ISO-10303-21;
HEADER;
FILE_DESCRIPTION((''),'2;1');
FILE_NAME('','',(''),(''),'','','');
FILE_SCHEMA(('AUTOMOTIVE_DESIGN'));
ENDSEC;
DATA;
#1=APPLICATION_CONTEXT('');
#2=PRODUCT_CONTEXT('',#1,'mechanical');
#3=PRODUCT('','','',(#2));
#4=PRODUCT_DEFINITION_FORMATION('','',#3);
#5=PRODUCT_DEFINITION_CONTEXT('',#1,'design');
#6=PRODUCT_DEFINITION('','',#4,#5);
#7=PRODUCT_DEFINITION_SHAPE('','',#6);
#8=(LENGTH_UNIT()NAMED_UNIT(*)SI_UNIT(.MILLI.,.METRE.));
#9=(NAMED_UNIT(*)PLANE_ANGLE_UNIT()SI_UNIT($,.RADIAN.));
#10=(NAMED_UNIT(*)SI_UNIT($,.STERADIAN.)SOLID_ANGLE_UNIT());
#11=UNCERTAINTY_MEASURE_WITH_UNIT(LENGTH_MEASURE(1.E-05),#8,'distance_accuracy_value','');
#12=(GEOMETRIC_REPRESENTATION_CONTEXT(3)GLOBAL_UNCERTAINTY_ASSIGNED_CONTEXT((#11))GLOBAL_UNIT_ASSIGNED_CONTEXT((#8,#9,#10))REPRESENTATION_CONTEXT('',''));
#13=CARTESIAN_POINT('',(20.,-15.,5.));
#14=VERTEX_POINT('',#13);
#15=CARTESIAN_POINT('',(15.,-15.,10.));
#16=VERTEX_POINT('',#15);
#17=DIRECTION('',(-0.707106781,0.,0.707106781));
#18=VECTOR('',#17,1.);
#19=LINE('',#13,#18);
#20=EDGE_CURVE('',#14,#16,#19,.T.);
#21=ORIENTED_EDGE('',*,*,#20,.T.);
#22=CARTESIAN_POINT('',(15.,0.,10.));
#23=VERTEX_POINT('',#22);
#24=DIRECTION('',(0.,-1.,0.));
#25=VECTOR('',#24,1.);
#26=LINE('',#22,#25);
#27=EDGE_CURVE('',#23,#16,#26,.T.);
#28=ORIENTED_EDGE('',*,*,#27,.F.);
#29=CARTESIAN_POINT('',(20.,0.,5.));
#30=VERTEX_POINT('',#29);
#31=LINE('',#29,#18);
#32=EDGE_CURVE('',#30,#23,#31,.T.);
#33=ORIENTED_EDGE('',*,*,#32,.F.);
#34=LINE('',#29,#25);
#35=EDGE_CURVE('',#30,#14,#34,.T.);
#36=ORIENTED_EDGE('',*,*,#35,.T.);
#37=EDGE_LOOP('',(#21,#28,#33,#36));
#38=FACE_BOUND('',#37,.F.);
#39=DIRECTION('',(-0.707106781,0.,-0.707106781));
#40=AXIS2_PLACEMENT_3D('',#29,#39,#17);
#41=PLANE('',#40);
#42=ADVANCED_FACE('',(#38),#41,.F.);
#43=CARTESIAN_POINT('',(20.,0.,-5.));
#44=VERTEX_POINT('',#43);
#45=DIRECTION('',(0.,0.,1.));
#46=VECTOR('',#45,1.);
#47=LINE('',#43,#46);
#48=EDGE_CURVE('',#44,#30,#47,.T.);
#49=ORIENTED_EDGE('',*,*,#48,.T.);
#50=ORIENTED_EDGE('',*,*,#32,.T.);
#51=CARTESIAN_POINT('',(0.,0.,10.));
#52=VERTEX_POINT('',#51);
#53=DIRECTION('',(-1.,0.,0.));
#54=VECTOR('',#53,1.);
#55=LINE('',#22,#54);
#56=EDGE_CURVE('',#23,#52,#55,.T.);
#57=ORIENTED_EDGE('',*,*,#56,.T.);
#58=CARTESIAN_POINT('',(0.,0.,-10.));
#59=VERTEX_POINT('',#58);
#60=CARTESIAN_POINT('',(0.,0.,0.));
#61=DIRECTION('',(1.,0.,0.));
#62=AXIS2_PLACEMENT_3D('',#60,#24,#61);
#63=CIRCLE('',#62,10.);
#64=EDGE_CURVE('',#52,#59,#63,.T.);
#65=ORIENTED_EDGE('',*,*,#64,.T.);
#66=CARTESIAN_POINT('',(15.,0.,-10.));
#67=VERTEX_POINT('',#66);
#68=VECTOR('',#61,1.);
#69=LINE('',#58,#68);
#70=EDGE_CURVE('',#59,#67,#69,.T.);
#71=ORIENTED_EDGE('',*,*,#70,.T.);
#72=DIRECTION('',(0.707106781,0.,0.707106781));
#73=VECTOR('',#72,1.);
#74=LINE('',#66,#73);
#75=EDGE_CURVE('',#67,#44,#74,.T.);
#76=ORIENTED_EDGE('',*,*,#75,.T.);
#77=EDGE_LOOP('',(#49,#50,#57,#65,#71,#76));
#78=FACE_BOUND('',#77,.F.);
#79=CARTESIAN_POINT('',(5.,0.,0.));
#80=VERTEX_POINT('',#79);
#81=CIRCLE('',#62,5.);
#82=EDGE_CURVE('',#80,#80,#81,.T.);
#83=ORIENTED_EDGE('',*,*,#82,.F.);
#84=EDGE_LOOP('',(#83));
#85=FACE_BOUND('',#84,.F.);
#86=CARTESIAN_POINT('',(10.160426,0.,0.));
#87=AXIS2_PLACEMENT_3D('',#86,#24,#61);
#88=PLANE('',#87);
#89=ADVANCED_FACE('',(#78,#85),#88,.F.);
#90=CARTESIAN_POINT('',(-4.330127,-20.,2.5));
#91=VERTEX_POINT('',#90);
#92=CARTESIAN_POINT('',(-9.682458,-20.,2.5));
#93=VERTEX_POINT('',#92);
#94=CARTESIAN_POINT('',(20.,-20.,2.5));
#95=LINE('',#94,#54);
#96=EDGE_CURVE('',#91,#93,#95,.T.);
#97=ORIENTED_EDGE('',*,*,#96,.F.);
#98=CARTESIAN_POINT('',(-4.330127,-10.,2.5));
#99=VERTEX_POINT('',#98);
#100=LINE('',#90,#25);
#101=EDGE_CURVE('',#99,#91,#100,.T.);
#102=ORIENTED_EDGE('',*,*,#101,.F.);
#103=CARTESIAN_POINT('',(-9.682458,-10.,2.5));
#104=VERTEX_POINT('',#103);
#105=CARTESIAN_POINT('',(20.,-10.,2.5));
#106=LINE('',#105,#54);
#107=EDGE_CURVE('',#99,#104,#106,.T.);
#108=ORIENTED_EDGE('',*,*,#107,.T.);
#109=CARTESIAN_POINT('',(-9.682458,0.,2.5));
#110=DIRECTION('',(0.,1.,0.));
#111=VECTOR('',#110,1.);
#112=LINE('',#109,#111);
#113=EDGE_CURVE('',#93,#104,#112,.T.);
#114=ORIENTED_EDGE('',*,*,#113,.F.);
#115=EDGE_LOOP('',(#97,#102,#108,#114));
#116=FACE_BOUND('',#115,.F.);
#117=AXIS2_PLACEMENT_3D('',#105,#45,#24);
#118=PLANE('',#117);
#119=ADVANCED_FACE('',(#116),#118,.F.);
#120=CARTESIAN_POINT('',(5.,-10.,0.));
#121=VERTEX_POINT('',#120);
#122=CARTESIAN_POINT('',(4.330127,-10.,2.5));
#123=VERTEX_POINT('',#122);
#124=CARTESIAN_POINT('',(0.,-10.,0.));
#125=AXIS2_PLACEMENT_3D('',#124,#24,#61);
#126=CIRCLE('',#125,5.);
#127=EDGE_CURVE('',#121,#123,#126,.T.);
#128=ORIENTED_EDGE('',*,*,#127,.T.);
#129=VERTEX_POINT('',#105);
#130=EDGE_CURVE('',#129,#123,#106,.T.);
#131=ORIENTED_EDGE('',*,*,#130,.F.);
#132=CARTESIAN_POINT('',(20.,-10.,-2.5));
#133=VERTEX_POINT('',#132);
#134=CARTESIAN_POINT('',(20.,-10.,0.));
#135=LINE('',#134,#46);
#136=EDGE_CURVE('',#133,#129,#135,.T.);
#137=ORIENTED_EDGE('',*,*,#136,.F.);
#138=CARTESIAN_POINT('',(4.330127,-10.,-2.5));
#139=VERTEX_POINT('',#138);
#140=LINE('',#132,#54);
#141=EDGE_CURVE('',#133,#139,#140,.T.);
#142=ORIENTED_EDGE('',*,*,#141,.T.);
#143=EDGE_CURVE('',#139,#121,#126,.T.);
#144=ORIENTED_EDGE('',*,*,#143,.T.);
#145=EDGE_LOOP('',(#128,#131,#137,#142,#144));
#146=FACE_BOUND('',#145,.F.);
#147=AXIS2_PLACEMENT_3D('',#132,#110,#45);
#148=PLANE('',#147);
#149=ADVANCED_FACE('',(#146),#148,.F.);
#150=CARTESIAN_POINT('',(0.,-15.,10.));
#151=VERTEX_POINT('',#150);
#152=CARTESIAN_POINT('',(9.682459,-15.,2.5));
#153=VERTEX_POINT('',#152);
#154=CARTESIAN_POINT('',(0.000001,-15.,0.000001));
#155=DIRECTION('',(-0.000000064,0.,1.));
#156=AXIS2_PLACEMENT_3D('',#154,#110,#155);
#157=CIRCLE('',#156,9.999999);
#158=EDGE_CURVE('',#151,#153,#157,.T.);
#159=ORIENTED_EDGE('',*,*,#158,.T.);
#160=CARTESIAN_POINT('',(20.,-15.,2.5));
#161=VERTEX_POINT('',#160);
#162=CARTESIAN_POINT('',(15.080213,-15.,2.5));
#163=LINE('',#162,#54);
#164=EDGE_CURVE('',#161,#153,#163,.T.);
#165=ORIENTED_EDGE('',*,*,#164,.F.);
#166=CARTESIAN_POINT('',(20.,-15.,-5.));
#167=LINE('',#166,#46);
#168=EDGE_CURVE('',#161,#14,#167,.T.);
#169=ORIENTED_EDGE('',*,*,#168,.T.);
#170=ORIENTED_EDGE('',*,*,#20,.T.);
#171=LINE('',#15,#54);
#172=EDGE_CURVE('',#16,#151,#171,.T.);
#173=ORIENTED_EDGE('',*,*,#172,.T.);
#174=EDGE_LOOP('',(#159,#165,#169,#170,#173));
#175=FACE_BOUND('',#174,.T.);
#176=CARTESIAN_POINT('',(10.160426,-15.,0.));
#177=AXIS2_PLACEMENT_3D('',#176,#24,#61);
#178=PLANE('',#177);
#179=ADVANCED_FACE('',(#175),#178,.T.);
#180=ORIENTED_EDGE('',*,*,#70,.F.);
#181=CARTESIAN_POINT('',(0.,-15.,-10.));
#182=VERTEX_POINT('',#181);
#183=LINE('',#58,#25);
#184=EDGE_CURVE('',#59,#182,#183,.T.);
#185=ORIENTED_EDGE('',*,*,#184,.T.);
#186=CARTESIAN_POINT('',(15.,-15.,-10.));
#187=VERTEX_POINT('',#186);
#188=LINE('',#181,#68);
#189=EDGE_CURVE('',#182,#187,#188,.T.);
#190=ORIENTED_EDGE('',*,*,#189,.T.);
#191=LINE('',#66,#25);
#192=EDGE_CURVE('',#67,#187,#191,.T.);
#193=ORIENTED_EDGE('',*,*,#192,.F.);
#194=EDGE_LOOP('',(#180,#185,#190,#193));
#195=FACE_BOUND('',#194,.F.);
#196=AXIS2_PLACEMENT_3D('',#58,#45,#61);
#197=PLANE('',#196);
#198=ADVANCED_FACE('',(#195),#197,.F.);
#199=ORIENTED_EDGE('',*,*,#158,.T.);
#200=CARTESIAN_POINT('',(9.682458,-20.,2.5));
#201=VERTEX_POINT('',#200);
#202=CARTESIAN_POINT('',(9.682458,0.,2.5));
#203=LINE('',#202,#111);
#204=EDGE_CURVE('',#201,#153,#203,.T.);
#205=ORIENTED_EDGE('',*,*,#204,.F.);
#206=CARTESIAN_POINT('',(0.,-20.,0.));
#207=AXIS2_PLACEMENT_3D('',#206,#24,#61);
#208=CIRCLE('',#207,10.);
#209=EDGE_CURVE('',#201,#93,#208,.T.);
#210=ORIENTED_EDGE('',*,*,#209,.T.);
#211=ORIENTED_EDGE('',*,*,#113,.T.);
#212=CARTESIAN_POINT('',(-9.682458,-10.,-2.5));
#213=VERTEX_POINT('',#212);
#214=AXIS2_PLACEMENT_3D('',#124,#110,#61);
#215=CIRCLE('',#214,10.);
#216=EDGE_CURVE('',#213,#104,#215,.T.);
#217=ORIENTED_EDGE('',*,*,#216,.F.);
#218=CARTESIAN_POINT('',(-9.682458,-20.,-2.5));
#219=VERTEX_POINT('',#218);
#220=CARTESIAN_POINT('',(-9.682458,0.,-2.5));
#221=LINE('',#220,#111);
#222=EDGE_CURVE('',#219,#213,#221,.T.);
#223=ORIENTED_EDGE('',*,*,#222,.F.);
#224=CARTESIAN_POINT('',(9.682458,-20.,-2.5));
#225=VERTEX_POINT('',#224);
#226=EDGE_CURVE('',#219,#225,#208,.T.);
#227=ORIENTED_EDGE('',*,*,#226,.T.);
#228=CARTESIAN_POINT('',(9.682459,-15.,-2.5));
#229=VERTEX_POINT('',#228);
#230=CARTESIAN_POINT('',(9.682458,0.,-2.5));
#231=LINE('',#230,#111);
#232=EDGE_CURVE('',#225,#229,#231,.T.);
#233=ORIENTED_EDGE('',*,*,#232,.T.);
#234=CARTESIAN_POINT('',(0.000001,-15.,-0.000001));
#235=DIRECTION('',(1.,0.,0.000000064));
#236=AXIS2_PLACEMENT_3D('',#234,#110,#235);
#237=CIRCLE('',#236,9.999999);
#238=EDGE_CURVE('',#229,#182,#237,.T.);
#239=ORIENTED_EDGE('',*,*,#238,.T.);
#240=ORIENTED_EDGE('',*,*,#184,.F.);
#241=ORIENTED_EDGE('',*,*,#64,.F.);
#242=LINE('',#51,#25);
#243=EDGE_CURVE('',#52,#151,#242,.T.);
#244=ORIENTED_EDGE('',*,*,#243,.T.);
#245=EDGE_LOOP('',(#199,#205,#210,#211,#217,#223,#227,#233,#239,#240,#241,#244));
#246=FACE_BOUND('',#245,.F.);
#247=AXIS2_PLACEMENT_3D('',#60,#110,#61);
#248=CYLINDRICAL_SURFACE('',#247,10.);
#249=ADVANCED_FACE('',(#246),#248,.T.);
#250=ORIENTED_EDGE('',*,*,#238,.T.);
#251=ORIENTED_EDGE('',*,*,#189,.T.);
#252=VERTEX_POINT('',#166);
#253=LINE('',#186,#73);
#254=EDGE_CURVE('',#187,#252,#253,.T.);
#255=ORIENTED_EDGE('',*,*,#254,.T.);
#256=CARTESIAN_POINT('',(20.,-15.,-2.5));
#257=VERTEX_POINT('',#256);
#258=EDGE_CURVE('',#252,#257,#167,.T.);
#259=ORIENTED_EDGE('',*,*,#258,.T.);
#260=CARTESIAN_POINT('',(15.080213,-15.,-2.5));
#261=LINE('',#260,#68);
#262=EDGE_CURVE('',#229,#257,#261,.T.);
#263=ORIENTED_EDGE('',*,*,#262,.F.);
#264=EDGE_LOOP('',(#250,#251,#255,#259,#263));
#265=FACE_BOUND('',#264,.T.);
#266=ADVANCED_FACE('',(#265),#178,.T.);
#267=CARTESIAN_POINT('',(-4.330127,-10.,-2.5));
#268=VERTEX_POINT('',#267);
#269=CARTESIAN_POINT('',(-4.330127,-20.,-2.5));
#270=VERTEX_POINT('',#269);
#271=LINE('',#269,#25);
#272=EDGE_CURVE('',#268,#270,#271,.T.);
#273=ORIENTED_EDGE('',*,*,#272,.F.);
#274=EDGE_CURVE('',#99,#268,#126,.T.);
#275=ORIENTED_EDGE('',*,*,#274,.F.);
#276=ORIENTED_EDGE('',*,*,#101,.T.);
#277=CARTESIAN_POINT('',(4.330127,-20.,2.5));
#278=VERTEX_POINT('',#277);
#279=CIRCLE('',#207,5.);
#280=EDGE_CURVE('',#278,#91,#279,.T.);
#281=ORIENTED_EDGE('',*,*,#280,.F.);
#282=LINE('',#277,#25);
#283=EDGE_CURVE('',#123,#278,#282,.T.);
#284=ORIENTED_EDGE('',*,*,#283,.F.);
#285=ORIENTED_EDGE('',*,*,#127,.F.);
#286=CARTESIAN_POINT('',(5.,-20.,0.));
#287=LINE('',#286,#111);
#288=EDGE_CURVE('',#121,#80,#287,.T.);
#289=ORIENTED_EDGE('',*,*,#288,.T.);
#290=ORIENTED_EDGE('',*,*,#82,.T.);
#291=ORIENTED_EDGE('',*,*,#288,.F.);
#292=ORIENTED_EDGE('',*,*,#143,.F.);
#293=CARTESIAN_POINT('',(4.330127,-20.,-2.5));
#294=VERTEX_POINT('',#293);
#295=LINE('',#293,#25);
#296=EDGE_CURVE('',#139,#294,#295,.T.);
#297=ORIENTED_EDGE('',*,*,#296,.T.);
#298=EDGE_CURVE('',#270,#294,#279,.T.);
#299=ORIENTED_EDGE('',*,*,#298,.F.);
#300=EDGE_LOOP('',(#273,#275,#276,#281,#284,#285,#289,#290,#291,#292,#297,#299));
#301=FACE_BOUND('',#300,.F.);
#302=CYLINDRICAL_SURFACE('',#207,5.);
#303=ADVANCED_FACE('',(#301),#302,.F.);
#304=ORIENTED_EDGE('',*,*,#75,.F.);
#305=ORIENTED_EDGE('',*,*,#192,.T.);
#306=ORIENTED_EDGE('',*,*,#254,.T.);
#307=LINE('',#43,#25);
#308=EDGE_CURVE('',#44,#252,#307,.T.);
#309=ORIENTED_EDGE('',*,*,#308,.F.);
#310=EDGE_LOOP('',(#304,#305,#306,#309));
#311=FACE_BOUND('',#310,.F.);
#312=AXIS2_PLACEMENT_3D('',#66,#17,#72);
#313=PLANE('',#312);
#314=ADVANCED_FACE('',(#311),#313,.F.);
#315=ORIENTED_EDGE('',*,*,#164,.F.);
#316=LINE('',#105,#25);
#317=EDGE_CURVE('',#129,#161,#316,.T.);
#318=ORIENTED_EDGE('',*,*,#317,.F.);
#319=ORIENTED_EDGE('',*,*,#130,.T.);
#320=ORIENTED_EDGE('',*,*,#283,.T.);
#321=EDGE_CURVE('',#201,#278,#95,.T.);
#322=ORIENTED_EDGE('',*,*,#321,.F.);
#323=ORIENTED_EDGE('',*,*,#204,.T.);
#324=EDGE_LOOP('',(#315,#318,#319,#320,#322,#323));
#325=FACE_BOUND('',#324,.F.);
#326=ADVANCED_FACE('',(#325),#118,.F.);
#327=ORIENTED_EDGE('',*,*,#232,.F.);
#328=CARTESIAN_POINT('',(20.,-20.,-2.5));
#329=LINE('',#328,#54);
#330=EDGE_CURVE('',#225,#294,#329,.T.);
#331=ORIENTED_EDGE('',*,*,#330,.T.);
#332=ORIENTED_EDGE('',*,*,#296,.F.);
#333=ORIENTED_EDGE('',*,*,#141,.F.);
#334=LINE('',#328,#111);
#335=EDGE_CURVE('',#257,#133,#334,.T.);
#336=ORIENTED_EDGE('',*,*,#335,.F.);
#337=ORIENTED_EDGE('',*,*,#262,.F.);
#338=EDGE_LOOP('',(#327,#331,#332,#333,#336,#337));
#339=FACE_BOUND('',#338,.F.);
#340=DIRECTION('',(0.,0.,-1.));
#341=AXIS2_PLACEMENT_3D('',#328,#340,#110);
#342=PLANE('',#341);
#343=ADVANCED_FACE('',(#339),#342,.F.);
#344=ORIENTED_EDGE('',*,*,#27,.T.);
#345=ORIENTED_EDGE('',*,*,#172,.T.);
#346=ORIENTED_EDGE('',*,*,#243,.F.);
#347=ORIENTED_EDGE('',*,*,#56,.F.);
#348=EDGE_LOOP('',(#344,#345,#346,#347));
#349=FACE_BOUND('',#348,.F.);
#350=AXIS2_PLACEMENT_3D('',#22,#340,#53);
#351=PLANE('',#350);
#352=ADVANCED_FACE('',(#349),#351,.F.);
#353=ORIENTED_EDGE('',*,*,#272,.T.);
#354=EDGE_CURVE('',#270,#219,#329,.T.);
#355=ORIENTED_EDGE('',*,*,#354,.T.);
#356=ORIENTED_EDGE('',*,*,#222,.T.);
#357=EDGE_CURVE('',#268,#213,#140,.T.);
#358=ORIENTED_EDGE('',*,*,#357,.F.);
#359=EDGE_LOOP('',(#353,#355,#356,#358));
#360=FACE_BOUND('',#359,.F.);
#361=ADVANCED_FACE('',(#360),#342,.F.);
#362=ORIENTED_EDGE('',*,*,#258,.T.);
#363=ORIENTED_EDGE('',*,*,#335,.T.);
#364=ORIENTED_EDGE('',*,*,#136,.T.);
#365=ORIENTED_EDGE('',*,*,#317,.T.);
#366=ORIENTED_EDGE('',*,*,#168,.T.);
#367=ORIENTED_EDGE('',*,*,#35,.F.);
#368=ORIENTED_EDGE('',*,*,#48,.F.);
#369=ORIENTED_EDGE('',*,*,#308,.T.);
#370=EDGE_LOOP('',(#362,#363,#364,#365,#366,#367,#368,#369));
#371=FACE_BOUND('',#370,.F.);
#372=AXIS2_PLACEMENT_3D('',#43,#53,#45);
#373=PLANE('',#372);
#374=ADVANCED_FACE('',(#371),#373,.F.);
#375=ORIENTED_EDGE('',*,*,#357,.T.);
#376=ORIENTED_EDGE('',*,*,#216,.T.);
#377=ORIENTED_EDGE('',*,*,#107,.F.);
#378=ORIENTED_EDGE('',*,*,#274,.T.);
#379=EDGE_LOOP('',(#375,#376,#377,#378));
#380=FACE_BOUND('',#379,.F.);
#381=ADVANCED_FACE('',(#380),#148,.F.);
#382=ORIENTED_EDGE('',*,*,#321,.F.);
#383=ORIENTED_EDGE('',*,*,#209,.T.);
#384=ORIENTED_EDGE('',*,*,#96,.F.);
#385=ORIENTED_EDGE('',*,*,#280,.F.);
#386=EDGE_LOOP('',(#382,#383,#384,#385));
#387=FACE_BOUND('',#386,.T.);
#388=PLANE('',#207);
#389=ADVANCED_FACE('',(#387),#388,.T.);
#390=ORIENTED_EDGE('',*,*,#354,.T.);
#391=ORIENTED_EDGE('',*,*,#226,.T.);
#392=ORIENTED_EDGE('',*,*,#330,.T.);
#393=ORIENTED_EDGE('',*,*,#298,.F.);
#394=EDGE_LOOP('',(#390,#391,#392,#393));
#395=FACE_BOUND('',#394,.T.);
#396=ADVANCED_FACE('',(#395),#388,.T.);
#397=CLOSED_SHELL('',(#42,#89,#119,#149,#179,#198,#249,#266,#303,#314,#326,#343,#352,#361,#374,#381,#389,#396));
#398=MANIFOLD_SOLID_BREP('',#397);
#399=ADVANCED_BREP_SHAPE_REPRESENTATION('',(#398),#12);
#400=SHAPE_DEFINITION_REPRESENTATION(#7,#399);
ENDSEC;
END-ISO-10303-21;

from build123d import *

# Parameters (mm, degrees)
F0_R     = 10
F1_DEPTH = 20
F3_DEPTH = 15
F4_R     = 5
F5_DEPTH = 20.001
F6_W     = 5
F6_H     = 5
F7_DEPTH = 30.001


with BuildPart() as f1:
    # F0 (on Front) → F1 (new body)
    with BuildSketch(Plane.XZ):
        Circle(F0_R)
    extrude(amount=F1_DEPTH)

    # F2 (on Front) → F3 (join)
    with BuildSketch(Plane.XZ):
        with BuildLine():
            ThreePointArc((0, 10), (7.071068, 7.071068), (10, 0))
            ThreePointArc((10, 0), (7.071068, -7.071068), (0, -10))
            Line((0, -10), (15, -10))
            Line((15, -10), (20, -5))
            Line((20, -5), (20, 0))
            Line((20, 0), (20, 5))
            Line((20, 5), (15, 10))
            Line((15, 10), (0, 10))
        make_face()
    extrude(amount=F3_DEPTH)

    # F4 (on face) → F5 (cut, through all)
    with BuildSketch(Plane.XZ.offset(20)):
        Circle(F4_R)
    extrude(amount=-F5_DEPTH, mode=Mode.SUBTRACT)

    # F6 (on face) → F7 (cut, through all)
    with BuildSketch(Plane.YZ.offset(20)):
        with Locations((-17.5, 0)):
            Rectangle(F6_W, F6_H)
        with Locations((-12.5, 0)):
            Rectangle(F6_W, F6_H)
    extrude(amount=-F7_DEPTH, mode=Mode.SUBTRACT)


solid = f1.part
